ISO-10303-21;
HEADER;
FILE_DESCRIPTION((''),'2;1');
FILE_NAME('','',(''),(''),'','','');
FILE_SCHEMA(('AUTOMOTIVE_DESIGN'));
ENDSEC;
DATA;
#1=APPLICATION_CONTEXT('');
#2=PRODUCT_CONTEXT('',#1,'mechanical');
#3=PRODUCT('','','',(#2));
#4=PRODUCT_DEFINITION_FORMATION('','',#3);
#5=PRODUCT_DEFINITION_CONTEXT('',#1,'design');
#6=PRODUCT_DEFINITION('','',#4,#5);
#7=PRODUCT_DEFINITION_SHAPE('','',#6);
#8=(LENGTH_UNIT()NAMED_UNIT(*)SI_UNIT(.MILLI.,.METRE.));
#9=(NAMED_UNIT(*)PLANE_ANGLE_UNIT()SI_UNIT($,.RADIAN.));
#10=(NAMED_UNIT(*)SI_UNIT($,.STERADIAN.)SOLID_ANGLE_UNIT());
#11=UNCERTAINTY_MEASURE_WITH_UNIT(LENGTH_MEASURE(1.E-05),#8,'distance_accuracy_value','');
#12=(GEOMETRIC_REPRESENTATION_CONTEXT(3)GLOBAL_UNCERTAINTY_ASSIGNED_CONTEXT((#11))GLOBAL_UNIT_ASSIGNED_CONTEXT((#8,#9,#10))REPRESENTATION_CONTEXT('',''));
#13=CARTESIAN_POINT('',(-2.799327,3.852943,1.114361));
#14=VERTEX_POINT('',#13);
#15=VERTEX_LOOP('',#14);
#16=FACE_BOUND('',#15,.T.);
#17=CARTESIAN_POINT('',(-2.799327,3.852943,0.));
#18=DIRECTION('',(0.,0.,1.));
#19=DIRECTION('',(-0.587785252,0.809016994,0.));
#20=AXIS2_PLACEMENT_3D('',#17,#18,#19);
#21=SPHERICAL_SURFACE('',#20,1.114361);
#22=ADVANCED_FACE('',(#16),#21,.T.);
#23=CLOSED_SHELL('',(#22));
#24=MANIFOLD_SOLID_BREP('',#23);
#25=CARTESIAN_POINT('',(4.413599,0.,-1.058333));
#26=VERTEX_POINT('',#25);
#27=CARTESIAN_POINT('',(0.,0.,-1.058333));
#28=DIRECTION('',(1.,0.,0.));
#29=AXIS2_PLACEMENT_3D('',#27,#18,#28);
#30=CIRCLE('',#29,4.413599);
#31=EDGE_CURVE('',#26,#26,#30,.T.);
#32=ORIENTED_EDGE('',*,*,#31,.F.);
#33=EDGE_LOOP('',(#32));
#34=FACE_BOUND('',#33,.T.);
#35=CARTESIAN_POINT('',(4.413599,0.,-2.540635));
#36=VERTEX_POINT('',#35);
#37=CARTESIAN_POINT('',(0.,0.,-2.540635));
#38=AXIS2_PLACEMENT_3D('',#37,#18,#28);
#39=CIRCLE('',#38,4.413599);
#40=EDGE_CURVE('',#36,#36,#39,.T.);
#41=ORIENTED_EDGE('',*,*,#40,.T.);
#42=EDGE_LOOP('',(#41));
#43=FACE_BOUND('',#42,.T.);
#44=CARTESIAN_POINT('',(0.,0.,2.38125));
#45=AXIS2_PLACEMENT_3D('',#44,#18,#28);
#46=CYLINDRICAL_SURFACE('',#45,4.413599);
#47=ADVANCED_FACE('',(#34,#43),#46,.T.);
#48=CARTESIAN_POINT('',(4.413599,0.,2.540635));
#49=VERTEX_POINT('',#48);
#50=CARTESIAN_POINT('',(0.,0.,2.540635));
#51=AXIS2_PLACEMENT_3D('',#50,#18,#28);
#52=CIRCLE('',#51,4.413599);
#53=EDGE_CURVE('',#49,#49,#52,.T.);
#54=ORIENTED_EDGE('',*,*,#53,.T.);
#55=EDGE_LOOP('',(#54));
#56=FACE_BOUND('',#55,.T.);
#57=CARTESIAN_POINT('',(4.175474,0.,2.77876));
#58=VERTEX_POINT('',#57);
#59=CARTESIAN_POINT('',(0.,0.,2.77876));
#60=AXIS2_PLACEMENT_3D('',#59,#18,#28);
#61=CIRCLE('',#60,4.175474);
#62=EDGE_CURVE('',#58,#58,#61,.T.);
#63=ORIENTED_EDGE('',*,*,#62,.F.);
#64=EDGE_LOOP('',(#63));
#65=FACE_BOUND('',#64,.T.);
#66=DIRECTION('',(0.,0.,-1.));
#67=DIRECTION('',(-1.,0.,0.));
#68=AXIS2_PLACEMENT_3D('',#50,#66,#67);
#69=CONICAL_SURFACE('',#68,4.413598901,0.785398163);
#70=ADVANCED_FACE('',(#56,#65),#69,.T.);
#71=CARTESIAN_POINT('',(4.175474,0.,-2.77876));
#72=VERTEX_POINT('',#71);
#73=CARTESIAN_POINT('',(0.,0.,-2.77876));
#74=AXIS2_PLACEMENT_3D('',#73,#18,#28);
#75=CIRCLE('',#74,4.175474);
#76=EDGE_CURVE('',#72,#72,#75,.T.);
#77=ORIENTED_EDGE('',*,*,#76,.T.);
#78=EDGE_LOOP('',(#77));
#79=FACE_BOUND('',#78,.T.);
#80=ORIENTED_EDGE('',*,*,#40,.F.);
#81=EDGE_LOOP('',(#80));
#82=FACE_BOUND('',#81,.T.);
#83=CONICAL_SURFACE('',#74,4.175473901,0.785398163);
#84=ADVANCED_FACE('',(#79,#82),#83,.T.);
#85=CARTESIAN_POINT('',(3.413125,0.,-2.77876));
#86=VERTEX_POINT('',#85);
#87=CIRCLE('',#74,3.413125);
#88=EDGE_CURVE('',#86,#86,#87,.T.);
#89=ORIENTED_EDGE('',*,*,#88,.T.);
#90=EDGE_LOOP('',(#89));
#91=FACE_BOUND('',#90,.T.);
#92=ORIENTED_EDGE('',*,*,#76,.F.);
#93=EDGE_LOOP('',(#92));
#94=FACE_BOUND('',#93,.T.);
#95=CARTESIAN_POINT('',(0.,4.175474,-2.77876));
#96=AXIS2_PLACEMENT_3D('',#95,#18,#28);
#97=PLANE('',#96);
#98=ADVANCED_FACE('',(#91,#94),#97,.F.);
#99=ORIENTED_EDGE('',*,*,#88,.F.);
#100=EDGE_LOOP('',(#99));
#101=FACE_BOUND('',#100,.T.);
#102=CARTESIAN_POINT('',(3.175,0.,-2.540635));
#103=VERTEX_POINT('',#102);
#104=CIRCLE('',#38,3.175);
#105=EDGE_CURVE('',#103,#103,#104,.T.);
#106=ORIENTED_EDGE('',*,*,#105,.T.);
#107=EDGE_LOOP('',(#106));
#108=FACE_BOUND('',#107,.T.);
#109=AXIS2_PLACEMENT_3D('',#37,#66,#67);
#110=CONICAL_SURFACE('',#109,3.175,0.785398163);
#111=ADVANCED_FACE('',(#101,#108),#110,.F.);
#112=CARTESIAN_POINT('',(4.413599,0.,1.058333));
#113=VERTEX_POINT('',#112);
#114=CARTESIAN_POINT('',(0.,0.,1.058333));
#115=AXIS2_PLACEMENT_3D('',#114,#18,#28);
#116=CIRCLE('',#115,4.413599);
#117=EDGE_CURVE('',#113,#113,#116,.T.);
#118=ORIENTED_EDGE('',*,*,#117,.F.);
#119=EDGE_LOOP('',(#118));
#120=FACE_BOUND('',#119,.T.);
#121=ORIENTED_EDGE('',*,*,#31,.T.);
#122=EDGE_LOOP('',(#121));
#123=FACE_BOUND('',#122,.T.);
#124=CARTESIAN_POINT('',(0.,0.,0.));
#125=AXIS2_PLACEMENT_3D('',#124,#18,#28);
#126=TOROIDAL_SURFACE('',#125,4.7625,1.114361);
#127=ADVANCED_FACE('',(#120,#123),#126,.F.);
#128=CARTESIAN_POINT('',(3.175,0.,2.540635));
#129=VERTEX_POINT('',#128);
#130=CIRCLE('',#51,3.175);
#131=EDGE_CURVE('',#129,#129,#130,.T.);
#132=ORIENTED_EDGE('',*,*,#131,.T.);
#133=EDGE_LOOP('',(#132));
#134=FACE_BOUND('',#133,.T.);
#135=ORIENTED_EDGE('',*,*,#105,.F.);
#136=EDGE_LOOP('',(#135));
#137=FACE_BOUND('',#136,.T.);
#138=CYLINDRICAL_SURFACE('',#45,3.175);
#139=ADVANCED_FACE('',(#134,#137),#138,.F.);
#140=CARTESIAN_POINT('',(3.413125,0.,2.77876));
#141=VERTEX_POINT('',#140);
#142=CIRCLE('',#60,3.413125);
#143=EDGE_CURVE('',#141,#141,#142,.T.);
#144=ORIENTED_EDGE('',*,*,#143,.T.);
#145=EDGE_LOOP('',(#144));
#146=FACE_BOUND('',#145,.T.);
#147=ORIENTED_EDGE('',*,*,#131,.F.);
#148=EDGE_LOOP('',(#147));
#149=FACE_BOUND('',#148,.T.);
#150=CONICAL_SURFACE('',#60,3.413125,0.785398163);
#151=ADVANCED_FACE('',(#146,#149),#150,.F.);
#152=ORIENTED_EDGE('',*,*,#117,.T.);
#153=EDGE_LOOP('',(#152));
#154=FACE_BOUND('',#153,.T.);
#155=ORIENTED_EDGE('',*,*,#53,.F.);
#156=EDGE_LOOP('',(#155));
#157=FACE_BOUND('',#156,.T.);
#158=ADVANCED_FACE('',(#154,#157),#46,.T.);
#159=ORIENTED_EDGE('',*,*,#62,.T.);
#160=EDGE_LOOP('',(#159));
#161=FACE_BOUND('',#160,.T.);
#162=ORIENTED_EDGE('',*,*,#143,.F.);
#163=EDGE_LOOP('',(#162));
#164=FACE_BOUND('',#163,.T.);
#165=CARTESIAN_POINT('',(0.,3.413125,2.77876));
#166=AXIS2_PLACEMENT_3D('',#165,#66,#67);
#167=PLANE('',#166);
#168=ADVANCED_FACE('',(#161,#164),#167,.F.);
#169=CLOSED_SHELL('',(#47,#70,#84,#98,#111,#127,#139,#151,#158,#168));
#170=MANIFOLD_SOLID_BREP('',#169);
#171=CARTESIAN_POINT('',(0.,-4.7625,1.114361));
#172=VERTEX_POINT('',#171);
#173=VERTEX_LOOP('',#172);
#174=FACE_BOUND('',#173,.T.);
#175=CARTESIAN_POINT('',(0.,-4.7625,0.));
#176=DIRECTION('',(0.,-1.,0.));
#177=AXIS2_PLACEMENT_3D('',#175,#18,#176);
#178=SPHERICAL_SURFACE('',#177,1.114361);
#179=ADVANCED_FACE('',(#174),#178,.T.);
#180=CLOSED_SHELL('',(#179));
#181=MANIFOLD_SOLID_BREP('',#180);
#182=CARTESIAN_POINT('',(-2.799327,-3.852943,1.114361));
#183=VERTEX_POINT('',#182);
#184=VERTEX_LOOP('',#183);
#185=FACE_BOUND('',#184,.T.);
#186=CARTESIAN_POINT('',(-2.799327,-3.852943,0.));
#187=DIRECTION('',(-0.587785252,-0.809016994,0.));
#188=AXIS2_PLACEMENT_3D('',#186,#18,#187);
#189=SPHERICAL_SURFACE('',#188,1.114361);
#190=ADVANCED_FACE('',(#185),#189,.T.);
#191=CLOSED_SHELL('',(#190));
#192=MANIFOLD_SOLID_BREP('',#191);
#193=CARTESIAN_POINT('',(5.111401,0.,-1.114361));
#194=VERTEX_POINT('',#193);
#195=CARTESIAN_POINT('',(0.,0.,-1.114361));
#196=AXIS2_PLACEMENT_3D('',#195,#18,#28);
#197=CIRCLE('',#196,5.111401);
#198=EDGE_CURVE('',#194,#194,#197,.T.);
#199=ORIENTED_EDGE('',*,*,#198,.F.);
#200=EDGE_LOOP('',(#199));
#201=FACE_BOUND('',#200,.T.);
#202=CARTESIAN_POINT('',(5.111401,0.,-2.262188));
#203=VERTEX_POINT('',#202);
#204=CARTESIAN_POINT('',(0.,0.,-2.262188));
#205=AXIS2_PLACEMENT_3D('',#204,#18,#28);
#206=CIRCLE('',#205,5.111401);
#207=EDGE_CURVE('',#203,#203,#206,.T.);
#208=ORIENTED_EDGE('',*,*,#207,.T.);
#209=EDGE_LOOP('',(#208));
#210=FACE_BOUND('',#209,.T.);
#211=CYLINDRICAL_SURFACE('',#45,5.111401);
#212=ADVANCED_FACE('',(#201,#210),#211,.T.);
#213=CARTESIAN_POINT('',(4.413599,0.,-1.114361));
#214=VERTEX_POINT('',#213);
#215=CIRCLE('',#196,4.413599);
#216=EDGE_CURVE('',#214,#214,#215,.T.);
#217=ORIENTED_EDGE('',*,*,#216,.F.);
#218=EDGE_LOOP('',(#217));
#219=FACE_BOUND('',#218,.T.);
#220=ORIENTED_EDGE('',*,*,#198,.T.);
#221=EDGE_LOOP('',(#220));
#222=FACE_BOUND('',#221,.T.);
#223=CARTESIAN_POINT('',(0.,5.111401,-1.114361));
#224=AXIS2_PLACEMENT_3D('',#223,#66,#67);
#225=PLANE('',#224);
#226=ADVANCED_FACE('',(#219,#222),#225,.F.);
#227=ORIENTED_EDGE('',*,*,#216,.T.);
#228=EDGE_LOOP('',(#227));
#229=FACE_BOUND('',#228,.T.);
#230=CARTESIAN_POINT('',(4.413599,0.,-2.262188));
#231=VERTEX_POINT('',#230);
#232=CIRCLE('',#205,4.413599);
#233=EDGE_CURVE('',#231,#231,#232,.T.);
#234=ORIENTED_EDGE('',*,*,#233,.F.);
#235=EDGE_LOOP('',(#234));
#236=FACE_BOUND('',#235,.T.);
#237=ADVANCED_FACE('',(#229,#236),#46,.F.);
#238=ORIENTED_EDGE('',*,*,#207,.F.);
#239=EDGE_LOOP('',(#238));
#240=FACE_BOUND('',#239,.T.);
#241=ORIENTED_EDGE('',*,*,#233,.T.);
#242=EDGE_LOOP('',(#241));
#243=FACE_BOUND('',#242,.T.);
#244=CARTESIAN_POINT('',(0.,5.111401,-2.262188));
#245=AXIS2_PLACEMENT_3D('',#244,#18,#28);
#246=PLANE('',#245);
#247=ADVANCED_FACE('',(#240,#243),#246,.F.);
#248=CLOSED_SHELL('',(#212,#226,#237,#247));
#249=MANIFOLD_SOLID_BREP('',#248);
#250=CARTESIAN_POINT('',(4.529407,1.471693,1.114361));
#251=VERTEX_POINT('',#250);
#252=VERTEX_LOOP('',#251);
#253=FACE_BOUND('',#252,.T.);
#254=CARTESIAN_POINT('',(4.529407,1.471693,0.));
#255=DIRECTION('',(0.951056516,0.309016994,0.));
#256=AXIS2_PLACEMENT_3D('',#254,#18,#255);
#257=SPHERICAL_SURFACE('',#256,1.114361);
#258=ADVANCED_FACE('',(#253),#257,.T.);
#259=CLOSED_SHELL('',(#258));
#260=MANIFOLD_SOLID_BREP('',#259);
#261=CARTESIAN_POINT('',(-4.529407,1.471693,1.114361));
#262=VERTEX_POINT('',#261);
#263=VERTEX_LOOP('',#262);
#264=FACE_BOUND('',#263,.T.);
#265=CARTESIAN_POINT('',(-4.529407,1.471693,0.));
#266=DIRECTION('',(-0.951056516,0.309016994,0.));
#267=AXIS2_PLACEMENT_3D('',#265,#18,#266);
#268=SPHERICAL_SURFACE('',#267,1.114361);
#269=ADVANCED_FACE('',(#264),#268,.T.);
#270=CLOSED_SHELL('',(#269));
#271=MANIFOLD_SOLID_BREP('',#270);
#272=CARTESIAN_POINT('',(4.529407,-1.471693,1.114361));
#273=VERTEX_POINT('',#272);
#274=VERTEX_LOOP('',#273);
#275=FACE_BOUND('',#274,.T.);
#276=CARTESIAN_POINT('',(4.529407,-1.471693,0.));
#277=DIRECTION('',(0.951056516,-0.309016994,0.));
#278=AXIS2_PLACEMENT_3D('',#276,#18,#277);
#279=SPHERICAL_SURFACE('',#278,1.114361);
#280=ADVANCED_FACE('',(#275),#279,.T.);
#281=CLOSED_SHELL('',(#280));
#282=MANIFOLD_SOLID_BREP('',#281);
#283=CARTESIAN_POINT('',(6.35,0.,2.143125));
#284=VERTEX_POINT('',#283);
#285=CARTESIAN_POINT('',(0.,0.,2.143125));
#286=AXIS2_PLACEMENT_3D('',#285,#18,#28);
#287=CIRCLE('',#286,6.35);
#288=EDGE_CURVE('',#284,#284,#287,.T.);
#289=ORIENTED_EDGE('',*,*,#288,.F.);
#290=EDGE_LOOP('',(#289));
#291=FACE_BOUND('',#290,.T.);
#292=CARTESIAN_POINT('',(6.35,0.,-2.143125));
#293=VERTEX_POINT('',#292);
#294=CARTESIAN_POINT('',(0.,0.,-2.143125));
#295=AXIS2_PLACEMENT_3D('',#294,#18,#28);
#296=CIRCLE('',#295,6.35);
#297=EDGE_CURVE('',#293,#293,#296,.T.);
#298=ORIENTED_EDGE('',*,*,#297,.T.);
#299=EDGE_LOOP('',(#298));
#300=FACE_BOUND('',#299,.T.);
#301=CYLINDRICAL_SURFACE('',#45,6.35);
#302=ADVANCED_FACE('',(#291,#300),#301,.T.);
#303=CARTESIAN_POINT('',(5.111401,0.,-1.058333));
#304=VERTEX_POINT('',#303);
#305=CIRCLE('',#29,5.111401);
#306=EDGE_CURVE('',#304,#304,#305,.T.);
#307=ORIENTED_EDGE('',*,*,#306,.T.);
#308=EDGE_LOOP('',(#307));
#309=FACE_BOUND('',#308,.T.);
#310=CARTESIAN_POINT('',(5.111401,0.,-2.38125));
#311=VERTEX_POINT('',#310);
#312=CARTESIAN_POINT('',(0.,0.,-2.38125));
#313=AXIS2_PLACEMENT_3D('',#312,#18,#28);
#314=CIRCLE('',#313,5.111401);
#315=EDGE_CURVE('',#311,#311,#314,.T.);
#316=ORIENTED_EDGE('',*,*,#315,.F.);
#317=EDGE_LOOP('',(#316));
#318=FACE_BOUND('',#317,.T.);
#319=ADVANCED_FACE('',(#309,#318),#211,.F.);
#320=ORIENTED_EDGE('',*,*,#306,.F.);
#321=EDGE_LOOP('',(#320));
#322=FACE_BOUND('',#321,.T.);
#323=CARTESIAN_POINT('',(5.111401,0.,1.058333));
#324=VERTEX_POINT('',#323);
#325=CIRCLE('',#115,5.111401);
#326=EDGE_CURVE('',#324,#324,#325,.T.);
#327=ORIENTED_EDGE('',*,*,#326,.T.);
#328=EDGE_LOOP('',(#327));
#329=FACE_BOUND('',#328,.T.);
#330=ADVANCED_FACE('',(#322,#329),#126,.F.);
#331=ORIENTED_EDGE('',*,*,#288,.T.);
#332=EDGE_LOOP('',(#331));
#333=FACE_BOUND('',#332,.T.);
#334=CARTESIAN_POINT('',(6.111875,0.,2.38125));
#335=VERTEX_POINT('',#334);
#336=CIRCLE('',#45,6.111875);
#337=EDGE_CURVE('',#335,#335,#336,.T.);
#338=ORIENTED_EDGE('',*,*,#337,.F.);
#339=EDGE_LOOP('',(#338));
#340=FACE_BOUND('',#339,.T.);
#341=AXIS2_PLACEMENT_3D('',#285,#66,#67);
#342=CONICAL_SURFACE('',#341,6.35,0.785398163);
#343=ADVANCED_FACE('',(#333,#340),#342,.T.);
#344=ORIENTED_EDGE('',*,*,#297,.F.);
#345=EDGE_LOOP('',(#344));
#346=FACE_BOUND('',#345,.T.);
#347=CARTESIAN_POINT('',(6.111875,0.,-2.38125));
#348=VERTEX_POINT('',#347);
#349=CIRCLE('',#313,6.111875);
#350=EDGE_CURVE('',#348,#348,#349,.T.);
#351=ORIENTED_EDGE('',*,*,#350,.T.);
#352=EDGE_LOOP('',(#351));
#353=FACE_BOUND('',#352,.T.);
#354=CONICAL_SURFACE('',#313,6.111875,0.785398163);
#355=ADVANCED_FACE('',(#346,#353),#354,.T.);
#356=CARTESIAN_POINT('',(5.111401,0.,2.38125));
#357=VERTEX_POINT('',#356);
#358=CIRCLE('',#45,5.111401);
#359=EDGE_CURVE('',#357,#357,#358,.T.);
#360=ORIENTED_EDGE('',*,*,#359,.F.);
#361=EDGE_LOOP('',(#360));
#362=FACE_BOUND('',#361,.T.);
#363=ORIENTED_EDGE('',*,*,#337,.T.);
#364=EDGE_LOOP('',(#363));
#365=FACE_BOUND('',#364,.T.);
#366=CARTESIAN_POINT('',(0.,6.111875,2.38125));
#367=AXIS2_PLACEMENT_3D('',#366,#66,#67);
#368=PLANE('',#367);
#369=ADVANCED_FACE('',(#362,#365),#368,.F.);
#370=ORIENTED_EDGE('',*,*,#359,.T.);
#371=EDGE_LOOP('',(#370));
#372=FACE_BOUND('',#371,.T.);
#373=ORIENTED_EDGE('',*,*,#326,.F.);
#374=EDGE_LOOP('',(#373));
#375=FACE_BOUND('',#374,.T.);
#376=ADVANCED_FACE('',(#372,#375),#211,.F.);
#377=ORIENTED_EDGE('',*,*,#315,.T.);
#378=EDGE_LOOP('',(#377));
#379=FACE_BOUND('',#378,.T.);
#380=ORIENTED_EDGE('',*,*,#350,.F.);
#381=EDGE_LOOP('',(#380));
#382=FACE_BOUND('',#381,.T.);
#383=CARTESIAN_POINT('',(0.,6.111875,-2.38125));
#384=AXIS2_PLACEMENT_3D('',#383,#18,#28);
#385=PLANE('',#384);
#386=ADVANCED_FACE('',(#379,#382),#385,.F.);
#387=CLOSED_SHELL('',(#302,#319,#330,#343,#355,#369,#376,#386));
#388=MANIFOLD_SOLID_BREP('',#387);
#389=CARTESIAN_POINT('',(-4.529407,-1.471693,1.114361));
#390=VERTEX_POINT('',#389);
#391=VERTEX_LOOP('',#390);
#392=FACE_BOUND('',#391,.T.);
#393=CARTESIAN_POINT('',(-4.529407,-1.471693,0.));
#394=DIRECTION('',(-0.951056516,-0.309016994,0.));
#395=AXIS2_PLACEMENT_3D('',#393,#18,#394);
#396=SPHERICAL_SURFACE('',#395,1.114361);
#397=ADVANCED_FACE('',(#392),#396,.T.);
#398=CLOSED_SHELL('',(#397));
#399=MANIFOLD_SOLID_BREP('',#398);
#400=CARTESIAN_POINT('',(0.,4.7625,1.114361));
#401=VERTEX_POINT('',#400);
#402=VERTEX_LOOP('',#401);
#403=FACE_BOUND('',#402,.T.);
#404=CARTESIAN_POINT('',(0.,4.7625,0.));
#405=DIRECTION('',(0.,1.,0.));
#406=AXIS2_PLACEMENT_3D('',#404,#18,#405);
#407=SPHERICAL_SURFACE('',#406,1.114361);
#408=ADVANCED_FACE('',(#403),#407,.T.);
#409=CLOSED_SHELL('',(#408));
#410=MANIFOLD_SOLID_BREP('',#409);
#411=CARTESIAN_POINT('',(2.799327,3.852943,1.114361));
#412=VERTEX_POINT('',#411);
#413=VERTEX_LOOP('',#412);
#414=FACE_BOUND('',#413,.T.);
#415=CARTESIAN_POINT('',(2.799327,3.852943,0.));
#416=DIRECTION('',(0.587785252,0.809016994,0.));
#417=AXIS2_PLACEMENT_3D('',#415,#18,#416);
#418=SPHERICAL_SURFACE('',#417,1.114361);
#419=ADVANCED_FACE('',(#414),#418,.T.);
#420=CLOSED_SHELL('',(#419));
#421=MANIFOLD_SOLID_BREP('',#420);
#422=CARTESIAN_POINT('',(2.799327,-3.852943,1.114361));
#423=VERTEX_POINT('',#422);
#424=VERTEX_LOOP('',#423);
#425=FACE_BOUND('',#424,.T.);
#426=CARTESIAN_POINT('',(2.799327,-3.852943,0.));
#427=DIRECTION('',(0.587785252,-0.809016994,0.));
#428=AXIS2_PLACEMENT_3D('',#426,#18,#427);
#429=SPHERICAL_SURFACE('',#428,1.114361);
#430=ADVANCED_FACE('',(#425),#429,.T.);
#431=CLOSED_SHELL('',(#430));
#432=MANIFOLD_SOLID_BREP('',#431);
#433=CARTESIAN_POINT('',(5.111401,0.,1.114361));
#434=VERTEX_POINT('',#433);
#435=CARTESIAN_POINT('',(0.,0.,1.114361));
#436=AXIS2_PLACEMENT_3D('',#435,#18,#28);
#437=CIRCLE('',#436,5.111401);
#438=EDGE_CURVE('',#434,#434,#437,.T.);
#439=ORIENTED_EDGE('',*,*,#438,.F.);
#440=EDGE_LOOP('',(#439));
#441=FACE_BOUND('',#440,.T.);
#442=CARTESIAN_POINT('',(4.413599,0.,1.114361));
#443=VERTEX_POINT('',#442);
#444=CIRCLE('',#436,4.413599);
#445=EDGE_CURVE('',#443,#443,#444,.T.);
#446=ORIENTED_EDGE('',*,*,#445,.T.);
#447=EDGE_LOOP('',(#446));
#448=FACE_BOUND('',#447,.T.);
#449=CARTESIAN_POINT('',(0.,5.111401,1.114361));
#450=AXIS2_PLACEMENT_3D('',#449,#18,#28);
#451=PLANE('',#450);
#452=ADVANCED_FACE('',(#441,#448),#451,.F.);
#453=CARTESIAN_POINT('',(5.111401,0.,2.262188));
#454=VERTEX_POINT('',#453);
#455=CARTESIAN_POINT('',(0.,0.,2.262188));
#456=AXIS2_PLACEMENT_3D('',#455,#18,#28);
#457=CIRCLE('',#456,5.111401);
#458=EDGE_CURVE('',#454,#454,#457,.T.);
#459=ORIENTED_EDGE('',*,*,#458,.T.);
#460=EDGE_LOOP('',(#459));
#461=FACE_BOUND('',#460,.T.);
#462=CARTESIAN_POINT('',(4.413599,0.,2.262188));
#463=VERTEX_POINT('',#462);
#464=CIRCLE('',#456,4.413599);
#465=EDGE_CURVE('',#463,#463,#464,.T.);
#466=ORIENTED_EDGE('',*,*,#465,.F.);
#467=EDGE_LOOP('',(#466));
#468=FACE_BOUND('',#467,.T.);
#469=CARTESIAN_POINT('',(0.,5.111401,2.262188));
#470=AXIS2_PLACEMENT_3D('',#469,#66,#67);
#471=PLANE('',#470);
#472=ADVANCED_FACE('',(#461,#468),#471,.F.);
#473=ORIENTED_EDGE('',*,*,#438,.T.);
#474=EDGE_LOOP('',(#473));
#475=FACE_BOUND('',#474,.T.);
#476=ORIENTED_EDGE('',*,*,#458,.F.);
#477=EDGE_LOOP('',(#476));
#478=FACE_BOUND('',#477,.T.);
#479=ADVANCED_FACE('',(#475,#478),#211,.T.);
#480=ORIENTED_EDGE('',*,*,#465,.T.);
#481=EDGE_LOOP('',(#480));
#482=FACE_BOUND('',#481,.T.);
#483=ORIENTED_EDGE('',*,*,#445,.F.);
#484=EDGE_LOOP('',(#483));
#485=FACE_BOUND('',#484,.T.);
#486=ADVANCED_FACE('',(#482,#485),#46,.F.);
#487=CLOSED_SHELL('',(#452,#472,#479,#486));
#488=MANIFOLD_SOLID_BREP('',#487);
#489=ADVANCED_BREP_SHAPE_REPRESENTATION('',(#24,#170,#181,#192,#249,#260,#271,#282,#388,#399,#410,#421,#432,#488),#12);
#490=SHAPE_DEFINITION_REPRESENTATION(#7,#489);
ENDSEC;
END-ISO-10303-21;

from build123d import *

# Parameters (mm, degrees)
CIRPATTERN1_COUNT = 10
SKETCH5_W         = 1.147826059
SKETCH5_H         = 0.697802198


with BuildPart() as part:
    # Sketch1 → Revolve1 (revolve)
    with BuildSketch(Plane(origin=(0, 0, 0), x_dir=(0, 0, -1), z_dir=(1, 0, 0))):
        with BuildLine():
            Line((2.143125, 6.35), (-2.143125, 6.35))
            Line((-2.143125, 6.35), (-2.38125, 6.111875))
            Line((-2.38125, 6.111875), (-2.38125, 5.111401099))
            Line((-2.38125, 5.111401099), (-1.058333333, 5.111401099))
            ThreePointArc((-1.058333333, 5.111401099), (0, 5.876861441), (1.058333333, 5.111401099))
            Line((1.058333333, 5.111401099), (2.38125, 5.111401099))
            Line((2.38125, 5.111401099), (2.38125, 6.111875))
            Line((2.38125, 6.111875), (2.143125, 6.35))
        make_face()
    revolve(axis=Axis((0, 0, 2.38125), (0, 0, -1)))


with BuildPart() as body_2:
    # Sketch3 → Revolve3 (revolve)
    with BuildSketch(Plane(origin=(0, 0, 0), x_dir=(0, 0, -1), z_dir=(1, 0, 0))):
        with BuildLine():
            Line((-2.77876, 3.413125), (-2.77876, 4.175473901))
            Line((-2.77876, 4.175473901), (-2.540635, 4.413598901))
            Line((-2.540635, 4.413598901), (-1.058333333, 4.413598901))
            ThreePointArc((-1.058333333, 4.413598901), (0, 3.648138559), (1.058333333, 4.413598901))
            Line((1.058333333, 4.413598901), (2.540635, 4.413598901))
            Line((2.540635, 4.413598901), (2.77876, 4.175473901))
            Line((2.77876, 4.175473901), (2.77876, 3.413125))
            Line((2.77876, 3.413125), (2.540635, 3.175))
            Line((2.540635, 3.175), (-2.540635, 3.175))
            Line((-2.540635, 3.175), (-2.77876, 3.413125))
        make_face()
    revolve(axis=Axis((0, 0, 2.38125), (0, 0, -1)))


with BuildPart() as body_3:
    # Sketch4 → Revolve4 (revolve)
    with BuildSketch(Plane(origin=(0, 0, 0), x_dir=(0, 0, -1), z_dir=(1, 0, 0))):
        with BuildLine():
            Line((-1.114361441, 4.7625), (1.114361441, 4.7625))
            ThreePointArc((1.114361441, 4.7625), (0, 5.876861441), (-1.114361441, 4.7625))
        make_face()
    revolve(axis=Axis((0, 4.7625, 1.114361441), (0, 0, -1)))


with BuildPart() as cirpattern1_1:
    # CirPattern1: pattern copy
    add(body_3.part.rotate(Axis((0, 0, -2.38125), (0, 0, 1)), 1 * 360 / CIRPATTERN1_COUNT))


with BuildPart() as cirpattern1_2:
    # CirPattern1: pattern copy
    add(body_3.part.rotate(Axis((0, 0, -2.38125), (0, 0, 1)), 2 * 360 / CIRPATTERN1_COUNT))


with BuildPart() as cirpattern1_3:
    # CirPattern1: pattern copy
    add(body_3.part.rotate(Axis((0, 0, -2.38125), (0, 0, 1)), 3 * 360 / CIRPATTERN1_COUNT))


with BuildPart() as cirpattern1_4:
    # CirPattern1: pattern copy
    add(body_3.part.rotate(Axis((0, 0, -2.38125), (0, 0, 1)), 4 * 360 / CIRPATTERN1_COUNT))


with BuildPart() as cirpattern1_5:
    # CirPattern1: pattern copy
    add(body_3.part.rotate(Axis((0, 0, -2.38125), (0, 0, 1)), 5 * 360 / CIRPATTERN1_COUNT))


with BuildPart() as cirpattern1_6:
    # CirPattern1: pattern copy
    add(body_3.part.rotate(Axis((0, 0, -2.38125), (0, 0, 1)), 6 * 360 / CIRPATTERN1_COUNT))


with BuildPart() as cirpattern1_7:
    # CirPattern1: pattern copy
    add(body_3.part.rotate(Axis((0, 0, -2.38125), (0, 0, 1)), 7 * 360 / CIRPATTERN1_COUNT))


with BuildPart() as cirpattern1_8:
    # CirPattern1: pattern copy
    add(body_3.part.rotate(Axis((0, 0, -2.38125), (0, 0, 1)), 8 * 360 / CIRPATTERN1_COUNT))


with BuildPart() as cirpattern1_9:
    # CirPattern1: pattern copy
    add(body_3.part.rotate(Axis((0, 0, -2.38125), (0, 0, 1)), 9 * 360 / CIRPATTERN1_COUNT))


with BuildPart() as body_13:
    # Sketch5 → Revolve5 (revolve)
    with BuildSketch(Plane(origin=(0, 0, 0), x_dir=(0, 0, -1), z_dir=(1, 0, 0))):
        with Locations((-1.688274471, 4.7625)):
            Rectangle(SKETCH5_W, SKETCH5_H)
        with Locations((1.688274471, 4.7625)):
            Rectangle(SKETCH5_W, SKETCH5_H)
    revolve(axis=Axis((0, 0, 2.38125), (0, 0, -1)))


solid = Compound([part.part, body_2.part, body_3.part, cirpattern1_1.part, cirpattern1_2.part, cirpattern1_3.part, cirpattern1_4.part, cirpattern1_5.part, cirpattern1_6.part, cirpattern1_7.part, cirpattern1_8.part, cirpattern1_9.part, body_13.part])
